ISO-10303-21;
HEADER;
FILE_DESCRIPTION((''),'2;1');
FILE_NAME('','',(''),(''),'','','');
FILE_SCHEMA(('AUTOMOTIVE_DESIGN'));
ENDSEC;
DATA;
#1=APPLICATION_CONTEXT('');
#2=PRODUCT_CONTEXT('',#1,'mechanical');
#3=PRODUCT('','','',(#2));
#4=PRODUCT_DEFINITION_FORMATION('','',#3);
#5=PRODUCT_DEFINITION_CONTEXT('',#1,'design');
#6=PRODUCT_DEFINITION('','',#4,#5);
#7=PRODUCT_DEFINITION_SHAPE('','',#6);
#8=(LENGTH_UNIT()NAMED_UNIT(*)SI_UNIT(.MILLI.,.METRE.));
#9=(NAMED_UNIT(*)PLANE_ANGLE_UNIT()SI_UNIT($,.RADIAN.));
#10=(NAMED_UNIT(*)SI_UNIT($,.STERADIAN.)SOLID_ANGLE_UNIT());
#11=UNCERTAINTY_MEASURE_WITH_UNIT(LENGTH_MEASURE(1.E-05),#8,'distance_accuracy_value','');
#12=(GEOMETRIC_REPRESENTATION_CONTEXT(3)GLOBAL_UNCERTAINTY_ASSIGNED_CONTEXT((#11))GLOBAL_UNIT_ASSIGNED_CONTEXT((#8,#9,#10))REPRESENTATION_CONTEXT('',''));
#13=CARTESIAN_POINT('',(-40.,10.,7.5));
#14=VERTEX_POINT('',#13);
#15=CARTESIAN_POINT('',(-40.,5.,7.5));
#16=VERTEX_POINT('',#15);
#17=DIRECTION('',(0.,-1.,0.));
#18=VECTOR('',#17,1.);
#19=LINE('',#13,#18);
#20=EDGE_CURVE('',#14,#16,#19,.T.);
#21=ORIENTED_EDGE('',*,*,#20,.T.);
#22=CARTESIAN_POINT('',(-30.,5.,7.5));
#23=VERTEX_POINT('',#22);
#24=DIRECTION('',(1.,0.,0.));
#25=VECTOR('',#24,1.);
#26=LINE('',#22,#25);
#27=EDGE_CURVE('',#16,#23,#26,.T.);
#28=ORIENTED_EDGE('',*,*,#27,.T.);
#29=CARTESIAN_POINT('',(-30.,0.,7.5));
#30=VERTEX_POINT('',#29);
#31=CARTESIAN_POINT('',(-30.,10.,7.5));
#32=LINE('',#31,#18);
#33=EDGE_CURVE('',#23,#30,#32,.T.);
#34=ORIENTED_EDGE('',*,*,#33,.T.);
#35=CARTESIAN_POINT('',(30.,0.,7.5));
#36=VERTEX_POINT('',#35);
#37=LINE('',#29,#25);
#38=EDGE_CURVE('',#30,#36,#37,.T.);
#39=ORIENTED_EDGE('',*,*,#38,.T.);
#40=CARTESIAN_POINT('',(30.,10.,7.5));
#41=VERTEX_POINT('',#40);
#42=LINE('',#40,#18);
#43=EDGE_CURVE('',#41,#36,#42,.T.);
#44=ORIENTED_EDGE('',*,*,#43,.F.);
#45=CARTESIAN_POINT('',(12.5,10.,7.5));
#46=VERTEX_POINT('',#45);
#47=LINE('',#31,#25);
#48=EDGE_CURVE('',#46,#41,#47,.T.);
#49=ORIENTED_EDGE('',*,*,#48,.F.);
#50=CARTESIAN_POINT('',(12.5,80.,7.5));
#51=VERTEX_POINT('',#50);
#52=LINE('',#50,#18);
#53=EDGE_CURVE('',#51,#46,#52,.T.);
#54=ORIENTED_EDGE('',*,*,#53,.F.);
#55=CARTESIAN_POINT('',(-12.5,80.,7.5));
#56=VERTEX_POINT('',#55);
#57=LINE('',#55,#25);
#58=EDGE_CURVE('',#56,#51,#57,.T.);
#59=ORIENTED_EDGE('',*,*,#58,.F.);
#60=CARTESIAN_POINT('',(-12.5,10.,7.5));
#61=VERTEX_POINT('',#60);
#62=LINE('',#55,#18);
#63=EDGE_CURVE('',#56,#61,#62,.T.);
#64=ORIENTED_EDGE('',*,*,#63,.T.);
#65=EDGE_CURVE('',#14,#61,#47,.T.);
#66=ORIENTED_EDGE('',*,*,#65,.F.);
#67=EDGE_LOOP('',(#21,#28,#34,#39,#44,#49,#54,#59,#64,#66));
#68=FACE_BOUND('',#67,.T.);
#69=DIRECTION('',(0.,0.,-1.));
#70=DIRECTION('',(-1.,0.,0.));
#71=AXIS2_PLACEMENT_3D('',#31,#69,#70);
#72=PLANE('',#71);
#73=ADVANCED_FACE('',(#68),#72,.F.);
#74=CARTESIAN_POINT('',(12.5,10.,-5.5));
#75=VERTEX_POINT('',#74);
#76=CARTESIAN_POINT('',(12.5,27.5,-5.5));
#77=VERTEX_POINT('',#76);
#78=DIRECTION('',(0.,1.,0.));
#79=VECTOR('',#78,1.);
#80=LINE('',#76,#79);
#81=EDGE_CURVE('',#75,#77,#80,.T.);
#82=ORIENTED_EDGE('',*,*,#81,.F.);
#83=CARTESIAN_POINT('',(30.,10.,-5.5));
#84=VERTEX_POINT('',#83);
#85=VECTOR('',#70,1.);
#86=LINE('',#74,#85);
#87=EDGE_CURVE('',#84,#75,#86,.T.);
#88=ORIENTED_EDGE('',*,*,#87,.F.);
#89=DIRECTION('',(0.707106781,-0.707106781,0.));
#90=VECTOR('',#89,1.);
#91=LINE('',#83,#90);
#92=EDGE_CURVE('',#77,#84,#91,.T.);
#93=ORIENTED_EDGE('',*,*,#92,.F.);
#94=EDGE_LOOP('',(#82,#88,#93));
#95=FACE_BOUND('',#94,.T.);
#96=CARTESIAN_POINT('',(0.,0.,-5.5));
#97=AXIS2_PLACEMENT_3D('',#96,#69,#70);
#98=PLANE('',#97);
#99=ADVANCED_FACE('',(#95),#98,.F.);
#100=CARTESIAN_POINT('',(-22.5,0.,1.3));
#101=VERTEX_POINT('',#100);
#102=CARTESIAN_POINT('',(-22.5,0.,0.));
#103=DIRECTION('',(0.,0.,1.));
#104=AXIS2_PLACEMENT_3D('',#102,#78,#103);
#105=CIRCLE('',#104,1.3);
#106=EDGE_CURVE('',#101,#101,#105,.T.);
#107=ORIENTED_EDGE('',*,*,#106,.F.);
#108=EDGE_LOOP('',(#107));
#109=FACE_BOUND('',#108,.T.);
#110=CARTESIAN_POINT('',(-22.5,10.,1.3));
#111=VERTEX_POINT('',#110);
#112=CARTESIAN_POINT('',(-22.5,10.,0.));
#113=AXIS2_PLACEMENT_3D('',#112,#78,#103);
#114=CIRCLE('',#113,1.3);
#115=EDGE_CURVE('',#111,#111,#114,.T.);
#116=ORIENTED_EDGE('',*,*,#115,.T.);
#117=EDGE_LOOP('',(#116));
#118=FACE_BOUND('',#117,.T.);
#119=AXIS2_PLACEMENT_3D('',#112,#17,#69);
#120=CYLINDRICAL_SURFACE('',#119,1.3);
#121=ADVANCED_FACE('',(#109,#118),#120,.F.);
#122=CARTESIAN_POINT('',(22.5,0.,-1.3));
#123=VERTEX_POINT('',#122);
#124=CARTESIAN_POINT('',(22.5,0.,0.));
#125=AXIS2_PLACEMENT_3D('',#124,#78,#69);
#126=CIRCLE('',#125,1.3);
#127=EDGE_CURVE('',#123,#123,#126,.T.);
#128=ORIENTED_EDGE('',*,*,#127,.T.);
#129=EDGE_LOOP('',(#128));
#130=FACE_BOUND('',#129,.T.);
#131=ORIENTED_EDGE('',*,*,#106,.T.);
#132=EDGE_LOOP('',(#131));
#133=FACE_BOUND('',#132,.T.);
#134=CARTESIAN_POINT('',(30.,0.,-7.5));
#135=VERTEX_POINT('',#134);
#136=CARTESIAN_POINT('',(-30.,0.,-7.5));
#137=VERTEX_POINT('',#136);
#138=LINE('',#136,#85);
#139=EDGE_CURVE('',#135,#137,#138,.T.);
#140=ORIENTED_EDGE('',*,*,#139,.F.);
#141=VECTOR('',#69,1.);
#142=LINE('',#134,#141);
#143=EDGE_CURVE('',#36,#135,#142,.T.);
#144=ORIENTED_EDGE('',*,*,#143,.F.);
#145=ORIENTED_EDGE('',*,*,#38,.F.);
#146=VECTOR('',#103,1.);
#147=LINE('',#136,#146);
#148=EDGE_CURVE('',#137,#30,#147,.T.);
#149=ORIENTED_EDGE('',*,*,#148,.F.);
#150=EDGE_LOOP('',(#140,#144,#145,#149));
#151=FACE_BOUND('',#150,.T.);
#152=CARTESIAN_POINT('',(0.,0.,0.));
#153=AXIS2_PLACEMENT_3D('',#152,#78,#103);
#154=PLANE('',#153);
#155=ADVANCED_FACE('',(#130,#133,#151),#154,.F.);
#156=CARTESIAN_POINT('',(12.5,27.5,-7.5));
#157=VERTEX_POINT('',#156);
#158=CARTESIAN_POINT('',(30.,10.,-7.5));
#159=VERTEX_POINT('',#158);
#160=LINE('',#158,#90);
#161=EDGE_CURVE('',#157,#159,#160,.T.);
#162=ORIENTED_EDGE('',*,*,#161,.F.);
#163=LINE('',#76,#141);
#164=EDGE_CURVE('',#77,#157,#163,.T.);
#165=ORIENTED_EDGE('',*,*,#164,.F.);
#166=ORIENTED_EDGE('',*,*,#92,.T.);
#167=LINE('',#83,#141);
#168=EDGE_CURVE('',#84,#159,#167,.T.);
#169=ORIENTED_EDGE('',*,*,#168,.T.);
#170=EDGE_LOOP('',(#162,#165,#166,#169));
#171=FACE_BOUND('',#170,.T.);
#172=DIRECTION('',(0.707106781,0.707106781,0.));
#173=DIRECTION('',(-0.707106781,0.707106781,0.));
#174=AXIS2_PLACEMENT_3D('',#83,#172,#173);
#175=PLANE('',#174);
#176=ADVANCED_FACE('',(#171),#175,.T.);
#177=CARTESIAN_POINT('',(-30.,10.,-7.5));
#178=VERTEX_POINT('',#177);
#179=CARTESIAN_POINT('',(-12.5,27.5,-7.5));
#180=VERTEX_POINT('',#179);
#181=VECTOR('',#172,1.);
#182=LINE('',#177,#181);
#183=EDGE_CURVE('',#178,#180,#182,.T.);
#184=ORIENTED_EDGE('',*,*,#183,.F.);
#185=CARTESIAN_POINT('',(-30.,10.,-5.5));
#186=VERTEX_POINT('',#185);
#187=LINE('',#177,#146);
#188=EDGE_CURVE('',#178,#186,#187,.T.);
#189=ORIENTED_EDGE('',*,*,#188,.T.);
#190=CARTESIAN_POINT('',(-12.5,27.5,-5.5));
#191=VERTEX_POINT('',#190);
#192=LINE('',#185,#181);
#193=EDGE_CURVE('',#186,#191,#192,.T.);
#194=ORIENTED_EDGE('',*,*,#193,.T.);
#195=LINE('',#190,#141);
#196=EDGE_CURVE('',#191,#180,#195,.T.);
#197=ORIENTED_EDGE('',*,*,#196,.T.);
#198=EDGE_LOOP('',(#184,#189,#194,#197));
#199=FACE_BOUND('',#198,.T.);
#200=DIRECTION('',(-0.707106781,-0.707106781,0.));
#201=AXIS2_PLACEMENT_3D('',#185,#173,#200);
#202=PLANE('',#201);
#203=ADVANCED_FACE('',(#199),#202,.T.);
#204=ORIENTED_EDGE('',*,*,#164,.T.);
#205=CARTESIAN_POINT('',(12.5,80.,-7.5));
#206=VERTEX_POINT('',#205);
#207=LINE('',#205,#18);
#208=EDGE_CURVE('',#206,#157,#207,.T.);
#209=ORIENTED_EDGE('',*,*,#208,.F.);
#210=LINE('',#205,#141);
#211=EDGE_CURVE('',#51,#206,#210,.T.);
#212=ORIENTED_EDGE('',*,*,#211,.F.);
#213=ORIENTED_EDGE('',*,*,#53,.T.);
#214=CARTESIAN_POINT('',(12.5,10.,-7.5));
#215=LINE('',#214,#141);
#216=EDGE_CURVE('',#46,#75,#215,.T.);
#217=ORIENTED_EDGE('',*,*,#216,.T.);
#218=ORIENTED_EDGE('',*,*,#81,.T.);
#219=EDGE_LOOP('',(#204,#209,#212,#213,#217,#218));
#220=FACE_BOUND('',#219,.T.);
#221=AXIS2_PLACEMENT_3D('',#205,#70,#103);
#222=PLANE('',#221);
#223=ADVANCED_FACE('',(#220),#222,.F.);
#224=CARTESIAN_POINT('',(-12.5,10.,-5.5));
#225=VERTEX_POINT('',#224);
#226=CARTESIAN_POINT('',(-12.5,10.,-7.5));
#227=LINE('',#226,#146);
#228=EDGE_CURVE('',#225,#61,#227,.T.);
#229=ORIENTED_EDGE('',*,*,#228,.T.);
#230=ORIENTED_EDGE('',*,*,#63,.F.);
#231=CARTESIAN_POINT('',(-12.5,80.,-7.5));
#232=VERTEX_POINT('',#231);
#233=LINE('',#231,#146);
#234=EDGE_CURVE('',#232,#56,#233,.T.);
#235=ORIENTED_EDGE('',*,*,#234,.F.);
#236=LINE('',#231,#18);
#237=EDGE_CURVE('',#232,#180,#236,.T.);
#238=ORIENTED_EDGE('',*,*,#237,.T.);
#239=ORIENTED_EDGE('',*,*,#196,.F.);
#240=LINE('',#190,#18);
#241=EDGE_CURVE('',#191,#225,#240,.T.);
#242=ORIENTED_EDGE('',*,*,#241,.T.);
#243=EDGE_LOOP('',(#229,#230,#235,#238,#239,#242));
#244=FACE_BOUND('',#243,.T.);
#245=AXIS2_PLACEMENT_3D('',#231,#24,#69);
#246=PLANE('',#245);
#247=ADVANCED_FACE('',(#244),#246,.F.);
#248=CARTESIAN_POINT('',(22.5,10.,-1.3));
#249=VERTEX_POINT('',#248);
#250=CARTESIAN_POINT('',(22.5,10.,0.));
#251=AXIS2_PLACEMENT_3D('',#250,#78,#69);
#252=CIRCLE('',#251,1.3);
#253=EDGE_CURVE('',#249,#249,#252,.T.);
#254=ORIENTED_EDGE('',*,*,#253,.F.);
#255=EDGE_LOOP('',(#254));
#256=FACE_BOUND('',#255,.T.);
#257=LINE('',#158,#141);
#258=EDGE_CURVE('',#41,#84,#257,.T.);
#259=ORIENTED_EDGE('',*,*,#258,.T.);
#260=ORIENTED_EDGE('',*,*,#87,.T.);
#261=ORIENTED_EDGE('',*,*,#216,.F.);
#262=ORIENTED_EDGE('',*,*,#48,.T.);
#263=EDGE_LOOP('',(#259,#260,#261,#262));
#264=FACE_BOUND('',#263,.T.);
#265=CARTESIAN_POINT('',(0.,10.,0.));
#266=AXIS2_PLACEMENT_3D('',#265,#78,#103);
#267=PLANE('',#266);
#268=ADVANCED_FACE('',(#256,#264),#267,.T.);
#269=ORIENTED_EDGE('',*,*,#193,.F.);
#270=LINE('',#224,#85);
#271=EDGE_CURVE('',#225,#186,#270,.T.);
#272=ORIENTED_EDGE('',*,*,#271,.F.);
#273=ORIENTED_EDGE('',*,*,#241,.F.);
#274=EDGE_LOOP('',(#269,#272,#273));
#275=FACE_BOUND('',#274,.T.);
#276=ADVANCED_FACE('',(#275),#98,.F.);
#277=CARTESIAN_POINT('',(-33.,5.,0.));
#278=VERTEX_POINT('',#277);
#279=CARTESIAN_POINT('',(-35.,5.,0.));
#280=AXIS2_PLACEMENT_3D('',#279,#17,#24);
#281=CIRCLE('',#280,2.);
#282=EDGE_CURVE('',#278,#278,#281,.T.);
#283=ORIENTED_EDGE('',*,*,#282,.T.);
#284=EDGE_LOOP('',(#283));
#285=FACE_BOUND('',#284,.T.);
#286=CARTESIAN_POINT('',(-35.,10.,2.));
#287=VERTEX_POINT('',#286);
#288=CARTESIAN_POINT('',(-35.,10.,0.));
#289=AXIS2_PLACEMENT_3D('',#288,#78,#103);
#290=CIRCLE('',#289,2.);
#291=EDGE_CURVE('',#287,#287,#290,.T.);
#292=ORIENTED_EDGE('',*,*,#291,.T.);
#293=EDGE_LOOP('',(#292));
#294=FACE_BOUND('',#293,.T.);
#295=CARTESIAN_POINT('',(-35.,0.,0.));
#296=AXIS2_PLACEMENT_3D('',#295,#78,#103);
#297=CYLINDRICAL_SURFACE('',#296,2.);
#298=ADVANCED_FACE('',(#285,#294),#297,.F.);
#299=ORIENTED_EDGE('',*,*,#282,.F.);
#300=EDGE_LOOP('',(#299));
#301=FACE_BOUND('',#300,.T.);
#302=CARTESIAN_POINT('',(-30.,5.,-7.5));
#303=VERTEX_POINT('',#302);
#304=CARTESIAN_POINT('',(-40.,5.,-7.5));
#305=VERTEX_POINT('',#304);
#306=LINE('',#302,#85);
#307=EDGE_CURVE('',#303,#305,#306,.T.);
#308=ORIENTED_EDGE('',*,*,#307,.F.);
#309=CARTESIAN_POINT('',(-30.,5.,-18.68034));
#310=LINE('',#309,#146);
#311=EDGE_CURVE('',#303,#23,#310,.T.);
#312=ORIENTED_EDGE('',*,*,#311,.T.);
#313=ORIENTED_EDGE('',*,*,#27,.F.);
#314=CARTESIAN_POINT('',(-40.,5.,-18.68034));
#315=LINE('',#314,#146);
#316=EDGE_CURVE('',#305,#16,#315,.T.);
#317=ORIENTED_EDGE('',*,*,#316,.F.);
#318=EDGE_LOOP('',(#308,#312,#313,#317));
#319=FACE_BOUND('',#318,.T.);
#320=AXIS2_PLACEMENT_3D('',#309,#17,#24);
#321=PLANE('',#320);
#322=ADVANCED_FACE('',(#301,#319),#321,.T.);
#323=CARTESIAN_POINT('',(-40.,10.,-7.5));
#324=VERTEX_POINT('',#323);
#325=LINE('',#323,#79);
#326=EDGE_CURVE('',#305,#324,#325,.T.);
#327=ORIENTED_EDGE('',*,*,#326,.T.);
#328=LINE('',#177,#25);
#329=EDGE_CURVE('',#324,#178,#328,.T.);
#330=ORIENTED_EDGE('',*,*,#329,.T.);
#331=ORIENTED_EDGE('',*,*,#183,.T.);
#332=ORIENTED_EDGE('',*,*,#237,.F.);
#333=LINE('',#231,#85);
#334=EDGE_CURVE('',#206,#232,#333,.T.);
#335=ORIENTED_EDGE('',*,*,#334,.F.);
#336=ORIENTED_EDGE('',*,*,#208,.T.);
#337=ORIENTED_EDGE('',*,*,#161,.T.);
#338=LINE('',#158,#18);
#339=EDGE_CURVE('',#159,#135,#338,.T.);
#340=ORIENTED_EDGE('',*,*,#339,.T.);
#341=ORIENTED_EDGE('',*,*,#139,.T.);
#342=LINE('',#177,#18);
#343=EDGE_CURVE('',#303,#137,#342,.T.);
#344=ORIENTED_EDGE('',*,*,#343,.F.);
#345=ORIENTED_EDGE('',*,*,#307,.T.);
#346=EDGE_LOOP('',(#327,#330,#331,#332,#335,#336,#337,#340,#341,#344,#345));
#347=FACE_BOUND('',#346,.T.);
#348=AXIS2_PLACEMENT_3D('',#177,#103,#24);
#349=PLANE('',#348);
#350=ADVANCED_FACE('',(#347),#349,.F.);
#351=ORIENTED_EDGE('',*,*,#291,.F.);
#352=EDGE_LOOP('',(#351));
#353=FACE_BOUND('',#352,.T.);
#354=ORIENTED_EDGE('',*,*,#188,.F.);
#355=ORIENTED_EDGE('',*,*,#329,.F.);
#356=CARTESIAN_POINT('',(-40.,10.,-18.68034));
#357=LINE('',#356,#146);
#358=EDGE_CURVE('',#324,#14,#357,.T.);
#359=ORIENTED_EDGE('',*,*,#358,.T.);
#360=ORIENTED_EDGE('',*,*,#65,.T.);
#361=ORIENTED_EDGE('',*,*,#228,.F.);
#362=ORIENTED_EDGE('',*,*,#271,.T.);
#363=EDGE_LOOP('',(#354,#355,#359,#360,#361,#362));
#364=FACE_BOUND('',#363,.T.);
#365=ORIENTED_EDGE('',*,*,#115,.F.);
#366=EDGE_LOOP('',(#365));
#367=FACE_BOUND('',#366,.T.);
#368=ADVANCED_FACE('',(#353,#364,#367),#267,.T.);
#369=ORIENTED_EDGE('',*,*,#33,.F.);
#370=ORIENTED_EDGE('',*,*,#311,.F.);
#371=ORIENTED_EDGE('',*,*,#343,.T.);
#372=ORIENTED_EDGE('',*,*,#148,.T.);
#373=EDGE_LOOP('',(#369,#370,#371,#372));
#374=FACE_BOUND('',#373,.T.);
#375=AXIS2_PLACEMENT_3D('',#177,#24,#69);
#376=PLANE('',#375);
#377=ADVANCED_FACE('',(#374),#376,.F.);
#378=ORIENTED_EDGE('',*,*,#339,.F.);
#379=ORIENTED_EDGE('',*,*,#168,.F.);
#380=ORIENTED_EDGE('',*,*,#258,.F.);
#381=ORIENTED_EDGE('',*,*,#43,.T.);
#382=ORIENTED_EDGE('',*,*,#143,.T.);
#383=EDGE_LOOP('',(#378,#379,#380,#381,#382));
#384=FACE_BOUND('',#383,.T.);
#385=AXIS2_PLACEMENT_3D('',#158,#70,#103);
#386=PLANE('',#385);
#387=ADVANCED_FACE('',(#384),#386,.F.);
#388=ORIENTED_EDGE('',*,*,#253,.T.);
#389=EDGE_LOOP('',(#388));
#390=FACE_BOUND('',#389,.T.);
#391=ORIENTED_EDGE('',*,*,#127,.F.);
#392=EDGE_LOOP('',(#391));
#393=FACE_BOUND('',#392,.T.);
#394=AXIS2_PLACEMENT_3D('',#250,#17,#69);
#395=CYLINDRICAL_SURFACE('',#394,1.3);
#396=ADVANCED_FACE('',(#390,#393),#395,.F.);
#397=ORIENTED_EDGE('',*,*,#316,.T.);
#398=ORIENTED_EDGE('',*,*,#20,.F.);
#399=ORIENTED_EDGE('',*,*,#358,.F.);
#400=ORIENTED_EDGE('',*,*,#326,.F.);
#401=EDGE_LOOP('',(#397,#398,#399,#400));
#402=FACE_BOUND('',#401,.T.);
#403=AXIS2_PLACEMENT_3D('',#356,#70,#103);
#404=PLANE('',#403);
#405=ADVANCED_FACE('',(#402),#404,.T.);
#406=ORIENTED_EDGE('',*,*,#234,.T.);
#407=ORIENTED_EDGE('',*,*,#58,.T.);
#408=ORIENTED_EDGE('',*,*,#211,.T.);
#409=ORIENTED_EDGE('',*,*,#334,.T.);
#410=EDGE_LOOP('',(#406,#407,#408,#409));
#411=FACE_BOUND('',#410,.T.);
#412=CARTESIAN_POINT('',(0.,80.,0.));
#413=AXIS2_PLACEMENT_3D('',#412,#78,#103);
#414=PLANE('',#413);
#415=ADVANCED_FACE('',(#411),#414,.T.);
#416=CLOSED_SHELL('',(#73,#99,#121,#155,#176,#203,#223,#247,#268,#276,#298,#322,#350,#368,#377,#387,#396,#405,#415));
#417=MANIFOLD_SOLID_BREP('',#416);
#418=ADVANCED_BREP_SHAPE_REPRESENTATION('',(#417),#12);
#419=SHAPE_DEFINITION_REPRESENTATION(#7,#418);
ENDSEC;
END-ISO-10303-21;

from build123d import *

# Parameters (mm, degrees)
SKETCH_2_W          = 60
SKETCH_2_H          = 15
SKETCH_2_R          = 1.3
EXTRUDE_1_DEPTH     = 10
SKETCH_3_W          = 25
SKETCH_3_H          = 15
EXTRUDE_2_DEPTH     = 70
EXTRUDE_3_DEPTH     = 2
SKETCH_6_W          = 10
SKETCH_6_H          = 5
EXTRUDE_4_DEPTH     = 15
SKETCH_7_R          = 2
CUT_EXTRUDE_1_DEPTH = 81.970673704


with BuildPart() as part:
    # 草圖2 → 填料-伸長1 (new body)
    with BuildSketch(Plane(origin=(0, 0, 0), x_dir=(1, 0, 0), z_dir=(0, 1, 0))):
        Rectangle(SKETCH_2_W, SKETCH_2_H)
        with Locations(Location((-22.5, 0, 0), (0, 0, 270))):
            Circle(SKETCH_2_R, mode=Mode.SUBTRACT)
        with Locations(Location((22.5, 0, 0), (0, 0, 90))):
            Circle(SKETCH_2_R, mode=Mode.SUBTRACT)
    extrude(amount=EXTRUDE_1_DEPTH)

    # 草圖3 → 填料-伸長2 (add)
    with BuildSketch(Plane(origin=(0, 10, 0), x_dir=(1, 0, 0), z_dir=(0, 1, 0))):
        Rectangle(SKETCH_3_W, SKETCH_3_H)
    extrude(amount=EXTRUDE_2_DEPTH)

    # 草圖5 → 填料-伸長3 (add)
    with BuildSketch(Plane(origin=(0, 0, -7.5), x_dir=(-1, 0, 0), z_dir=(0, 0, -1))):
        Polygon((-30, 10), (-12.5, 27.5), (-12.5, 10), align=None)
        Polygon((12.5, 27.5), (12.5, 10), (30, 10), align=None)
    extrude(amount=-EXTRUDE_3_DEPTH)

    # 草圖6 → 填料-伸長4 (add)
    with BuildSketch(Plane.XY.offset(7.5)):
        with Locations((-35, 7.5)):
            Rectangle(SKETCH_6_W, SKETCH_6_H)
    extrude(amount=-EXTRUDE_4_DEPTH)

    # 草圖7 → 除料-伸長1 (cut, through all)
    with BuildSketch(Plane(origin=(0, 10, 0), x_dir=(1, 0, 0), z_dir=(0, 1, 0))):
        with Locations(Location((-35, 0, 0), (0, 0, 270))):
            Circle(SKETCH_7_R)
    extrude(amount=-CUT_EXTRUDE_1_DEPTH, mode=Mode.SUBTRACT)


solid = part.part
